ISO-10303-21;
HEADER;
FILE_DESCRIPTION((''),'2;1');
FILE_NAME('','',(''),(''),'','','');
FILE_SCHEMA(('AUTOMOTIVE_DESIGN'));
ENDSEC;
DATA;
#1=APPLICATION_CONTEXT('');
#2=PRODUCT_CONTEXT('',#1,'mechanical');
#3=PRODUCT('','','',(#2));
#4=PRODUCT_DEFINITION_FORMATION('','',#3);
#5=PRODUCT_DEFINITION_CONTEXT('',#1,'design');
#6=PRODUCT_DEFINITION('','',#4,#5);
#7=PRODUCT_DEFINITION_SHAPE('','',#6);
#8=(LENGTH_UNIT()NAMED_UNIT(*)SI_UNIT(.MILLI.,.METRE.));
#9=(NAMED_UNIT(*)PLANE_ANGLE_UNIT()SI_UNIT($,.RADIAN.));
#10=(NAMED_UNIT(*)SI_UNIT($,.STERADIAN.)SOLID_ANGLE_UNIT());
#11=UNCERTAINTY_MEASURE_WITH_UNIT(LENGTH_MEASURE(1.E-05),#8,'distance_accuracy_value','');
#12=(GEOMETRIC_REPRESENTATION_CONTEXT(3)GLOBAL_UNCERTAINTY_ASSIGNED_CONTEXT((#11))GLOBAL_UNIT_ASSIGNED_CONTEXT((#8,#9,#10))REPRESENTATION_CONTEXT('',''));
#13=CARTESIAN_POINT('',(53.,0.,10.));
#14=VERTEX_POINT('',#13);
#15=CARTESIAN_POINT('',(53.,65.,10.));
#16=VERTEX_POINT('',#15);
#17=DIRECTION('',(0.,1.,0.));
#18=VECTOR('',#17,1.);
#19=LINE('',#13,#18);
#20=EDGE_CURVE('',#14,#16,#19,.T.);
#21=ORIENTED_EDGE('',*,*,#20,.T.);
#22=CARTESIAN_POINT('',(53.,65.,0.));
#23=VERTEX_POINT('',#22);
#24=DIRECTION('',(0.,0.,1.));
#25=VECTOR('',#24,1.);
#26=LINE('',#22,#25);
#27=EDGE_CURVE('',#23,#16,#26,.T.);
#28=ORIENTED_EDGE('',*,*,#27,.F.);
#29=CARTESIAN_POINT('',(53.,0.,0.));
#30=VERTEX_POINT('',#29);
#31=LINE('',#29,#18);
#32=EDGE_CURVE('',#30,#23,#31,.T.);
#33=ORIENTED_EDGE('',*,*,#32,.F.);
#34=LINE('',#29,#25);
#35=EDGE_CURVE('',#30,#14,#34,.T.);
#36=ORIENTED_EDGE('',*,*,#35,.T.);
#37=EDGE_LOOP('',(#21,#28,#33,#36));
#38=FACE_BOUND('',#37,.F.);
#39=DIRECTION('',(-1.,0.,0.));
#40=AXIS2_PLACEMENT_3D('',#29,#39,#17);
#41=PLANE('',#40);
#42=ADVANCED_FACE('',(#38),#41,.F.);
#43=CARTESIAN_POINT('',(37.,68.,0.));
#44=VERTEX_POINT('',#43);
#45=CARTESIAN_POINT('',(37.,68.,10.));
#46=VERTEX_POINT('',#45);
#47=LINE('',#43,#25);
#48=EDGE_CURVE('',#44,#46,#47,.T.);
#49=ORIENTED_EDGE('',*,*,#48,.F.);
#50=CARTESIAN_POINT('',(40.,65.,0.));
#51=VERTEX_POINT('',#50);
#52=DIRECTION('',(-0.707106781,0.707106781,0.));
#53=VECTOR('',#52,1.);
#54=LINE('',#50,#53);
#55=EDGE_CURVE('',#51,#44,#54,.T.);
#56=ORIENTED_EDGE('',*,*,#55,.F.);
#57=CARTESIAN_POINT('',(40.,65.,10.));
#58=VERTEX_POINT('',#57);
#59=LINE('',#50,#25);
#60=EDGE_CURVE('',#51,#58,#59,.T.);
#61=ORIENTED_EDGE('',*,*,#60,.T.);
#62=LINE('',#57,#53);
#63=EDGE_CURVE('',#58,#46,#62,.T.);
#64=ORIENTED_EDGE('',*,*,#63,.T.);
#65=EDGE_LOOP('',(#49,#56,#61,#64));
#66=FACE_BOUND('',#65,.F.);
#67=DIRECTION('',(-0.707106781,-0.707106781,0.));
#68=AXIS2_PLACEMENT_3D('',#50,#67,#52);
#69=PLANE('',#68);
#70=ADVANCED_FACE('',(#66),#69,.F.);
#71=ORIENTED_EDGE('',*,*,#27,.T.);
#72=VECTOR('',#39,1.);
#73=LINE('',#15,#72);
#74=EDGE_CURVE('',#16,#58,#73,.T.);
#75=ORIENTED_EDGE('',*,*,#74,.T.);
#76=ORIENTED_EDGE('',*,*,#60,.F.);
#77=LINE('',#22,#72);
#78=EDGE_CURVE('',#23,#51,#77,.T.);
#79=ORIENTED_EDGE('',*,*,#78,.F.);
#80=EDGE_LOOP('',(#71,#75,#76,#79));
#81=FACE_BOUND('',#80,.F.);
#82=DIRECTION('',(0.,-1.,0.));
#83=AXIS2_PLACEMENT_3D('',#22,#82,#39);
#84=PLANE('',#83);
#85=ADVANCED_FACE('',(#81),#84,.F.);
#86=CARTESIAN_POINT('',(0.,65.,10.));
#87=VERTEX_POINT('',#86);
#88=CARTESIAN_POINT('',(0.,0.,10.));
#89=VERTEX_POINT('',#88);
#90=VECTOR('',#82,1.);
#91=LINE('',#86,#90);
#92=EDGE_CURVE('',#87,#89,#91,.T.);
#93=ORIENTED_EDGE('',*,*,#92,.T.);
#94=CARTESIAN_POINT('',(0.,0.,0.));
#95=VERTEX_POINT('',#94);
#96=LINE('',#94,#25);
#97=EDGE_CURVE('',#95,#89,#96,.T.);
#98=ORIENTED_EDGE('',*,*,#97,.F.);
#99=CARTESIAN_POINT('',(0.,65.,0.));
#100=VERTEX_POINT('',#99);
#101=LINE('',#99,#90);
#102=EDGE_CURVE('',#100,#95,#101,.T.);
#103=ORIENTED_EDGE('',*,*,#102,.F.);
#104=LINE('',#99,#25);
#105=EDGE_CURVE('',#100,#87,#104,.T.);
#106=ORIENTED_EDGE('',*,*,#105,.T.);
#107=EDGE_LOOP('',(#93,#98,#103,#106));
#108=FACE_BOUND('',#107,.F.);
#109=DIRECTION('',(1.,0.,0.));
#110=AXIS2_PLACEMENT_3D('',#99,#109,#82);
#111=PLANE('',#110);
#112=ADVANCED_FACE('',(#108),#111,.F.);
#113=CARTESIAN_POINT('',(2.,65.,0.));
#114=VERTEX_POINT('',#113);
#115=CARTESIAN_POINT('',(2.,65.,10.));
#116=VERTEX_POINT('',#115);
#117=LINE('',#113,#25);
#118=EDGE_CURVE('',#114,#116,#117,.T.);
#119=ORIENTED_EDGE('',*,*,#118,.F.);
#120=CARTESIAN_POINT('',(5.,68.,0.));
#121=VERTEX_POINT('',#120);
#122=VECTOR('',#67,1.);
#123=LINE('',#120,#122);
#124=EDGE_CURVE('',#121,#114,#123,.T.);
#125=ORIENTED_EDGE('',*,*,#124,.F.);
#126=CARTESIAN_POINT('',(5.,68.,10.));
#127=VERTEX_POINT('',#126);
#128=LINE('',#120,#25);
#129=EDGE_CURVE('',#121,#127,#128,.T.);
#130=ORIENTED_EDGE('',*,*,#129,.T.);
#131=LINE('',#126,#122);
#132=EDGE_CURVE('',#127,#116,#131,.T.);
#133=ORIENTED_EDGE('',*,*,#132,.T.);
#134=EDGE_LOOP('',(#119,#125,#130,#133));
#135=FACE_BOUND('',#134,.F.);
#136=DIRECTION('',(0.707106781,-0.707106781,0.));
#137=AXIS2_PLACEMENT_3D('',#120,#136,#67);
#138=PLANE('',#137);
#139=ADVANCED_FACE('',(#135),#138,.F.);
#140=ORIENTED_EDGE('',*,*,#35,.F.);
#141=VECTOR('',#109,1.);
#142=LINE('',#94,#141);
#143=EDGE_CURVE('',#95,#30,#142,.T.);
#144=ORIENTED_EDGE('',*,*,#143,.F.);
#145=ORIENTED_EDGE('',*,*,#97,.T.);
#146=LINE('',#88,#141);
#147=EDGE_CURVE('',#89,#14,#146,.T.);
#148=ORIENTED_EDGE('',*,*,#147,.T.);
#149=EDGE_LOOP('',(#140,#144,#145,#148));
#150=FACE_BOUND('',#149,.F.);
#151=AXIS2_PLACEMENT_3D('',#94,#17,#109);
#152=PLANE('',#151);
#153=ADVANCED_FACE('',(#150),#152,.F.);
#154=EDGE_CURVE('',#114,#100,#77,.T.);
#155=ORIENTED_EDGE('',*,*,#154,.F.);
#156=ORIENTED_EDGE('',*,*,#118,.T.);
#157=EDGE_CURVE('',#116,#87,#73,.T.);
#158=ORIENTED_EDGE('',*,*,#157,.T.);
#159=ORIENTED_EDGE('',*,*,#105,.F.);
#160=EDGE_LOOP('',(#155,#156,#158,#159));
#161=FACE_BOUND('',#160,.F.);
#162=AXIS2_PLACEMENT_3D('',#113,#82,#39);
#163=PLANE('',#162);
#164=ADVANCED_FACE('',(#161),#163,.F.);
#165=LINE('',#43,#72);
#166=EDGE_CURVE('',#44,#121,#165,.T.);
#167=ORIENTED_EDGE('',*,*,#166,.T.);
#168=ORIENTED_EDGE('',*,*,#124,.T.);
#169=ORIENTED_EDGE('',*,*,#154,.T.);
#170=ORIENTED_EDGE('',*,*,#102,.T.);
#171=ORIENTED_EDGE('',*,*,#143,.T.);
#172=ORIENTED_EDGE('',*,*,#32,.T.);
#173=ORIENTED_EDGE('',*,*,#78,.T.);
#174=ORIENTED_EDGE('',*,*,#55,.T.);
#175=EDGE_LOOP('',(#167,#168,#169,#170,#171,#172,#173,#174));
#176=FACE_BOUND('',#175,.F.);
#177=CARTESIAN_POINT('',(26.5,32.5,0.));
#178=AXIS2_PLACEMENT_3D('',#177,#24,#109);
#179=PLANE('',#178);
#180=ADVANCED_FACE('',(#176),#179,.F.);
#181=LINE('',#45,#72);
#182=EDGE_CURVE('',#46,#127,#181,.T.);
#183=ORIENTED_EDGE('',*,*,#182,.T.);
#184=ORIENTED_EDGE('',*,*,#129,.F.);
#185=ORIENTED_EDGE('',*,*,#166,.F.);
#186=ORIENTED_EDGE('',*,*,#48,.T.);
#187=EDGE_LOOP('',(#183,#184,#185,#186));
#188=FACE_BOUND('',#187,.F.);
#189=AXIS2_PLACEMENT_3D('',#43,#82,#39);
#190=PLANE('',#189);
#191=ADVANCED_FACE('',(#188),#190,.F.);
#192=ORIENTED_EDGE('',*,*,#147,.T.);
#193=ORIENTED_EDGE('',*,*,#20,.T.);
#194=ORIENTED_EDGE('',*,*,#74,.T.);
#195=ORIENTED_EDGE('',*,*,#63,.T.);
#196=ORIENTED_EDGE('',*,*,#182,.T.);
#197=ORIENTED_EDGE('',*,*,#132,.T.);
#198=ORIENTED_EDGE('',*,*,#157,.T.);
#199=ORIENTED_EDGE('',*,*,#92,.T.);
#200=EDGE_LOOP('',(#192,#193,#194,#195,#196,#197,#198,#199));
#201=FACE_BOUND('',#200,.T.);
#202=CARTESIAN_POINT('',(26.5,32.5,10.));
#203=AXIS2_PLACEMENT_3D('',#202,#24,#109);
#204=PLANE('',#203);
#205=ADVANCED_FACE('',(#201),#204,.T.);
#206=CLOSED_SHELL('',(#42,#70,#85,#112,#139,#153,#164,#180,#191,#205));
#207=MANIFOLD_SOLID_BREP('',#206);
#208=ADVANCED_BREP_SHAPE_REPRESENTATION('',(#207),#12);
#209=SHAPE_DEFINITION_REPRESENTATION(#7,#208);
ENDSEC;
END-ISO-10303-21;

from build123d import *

# Parameters (mm, degrees)
F1_DEPTH = 10


with BuildPart() as f1:
    # F0 (on Top) → F1 (new body)
    with BuildSketch(Plane.XY):
        Polygon((0, 65), (0, 0), (53, 0), (53, 65), (40, 65), (2, 65), align=None)
        Polygon((5, 68), (2, 65), (40, 65), (37, 68), align=None)
    extrude(amount=F1_DEPTH)


solid = f1.part
